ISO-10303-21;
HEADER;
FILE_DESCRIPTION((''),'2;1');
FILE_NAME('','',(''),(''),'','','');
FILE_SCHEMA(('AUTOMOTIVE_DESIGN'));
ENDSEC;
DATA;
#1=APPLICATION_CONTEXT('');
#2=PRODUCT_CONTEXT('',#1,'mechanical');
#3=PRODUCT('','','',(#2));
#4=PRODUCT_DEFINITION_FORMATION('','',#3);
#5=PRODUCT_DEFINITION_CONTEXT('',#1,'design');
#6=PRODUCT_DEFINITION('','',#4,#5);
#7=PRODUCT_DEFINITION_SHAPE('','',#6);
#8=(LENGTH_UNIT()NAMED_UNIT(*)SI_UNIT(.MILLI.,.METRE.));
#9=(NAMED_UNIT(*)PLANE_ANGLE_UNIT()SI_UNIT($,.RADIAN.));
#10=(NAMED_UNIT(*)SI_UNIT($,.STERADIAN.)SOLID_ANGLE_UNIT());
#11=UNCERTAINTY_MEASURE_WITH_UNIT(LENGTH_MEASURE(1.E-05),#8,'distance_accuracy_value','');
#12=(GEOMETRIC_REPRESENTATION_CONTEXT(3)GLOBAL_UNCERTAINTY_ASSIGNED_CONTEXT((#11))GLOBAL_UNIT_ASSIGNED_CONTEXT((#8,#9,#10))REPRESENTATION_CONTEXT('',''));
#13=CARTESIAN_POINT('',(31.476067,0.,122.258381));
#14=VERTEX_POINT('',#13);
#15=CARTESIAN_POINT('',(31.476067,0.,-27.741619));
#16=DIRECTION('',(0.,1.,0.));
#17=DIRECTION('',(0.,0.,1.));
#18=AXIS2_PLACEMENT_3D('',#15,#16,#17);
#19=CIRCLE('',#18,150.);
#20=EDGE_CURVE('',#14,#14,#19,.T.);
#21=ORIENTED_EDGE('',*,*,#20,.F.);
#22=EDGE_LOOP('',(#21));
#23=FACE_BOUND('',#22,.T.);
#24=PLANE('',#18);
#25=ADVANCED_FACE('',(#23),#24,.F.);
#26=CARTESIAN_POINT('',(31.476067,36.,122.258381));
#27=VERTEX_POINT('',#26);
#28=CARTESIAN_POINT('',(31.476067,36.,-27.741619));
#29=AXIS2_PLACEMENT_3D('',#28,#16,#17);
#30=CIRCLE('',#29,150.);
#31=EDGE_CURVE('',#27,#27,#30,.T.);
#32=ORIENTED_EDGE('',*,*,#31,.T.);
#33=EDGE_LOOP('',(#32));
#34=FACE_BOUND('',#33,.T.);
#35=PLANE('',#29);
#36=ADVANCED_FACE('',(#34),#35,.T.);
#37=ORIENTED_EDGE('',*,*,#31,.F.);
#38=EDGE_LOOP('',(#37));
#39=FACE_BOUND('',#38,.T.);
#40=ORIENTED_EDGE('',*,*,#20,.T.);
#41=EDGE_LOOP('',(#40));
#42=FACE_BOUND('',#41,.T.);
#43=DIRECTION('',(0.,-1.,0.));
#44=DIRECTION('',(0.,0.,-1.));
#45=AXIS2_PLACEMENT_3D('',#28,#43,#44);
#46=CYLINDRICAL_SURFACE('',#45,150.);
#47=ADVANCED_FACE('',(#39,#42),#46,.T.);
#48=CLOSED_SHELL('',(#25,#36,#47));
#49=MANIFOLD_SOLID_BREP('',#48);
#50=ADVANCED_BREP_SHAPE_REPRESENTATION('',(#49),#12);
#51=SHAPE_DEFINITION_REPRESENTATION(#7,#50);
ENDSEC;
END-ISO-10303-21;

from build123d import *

# Parameters (mm, degrees)
ESQUISSE1_R        = 150
BOSS_EXTRU_1_DEPTH = 36


with BuildPart() as part:
    # Esquisse1 → Boss.-Extru.1 (new body)
    with BuildSketch(Plane(origin=(0, 0, 0), x_dir=(1, 0, 0), z_dir=(0, 1, 0))):
        with Locations(Location((31.476067469, 27.741618786, 0), (0, 0, 270))):
            Circle(ESQUISSE1_R)
    extrude(amount=BOSS_EXTRU_1_DEPTH)


solid = part.part
